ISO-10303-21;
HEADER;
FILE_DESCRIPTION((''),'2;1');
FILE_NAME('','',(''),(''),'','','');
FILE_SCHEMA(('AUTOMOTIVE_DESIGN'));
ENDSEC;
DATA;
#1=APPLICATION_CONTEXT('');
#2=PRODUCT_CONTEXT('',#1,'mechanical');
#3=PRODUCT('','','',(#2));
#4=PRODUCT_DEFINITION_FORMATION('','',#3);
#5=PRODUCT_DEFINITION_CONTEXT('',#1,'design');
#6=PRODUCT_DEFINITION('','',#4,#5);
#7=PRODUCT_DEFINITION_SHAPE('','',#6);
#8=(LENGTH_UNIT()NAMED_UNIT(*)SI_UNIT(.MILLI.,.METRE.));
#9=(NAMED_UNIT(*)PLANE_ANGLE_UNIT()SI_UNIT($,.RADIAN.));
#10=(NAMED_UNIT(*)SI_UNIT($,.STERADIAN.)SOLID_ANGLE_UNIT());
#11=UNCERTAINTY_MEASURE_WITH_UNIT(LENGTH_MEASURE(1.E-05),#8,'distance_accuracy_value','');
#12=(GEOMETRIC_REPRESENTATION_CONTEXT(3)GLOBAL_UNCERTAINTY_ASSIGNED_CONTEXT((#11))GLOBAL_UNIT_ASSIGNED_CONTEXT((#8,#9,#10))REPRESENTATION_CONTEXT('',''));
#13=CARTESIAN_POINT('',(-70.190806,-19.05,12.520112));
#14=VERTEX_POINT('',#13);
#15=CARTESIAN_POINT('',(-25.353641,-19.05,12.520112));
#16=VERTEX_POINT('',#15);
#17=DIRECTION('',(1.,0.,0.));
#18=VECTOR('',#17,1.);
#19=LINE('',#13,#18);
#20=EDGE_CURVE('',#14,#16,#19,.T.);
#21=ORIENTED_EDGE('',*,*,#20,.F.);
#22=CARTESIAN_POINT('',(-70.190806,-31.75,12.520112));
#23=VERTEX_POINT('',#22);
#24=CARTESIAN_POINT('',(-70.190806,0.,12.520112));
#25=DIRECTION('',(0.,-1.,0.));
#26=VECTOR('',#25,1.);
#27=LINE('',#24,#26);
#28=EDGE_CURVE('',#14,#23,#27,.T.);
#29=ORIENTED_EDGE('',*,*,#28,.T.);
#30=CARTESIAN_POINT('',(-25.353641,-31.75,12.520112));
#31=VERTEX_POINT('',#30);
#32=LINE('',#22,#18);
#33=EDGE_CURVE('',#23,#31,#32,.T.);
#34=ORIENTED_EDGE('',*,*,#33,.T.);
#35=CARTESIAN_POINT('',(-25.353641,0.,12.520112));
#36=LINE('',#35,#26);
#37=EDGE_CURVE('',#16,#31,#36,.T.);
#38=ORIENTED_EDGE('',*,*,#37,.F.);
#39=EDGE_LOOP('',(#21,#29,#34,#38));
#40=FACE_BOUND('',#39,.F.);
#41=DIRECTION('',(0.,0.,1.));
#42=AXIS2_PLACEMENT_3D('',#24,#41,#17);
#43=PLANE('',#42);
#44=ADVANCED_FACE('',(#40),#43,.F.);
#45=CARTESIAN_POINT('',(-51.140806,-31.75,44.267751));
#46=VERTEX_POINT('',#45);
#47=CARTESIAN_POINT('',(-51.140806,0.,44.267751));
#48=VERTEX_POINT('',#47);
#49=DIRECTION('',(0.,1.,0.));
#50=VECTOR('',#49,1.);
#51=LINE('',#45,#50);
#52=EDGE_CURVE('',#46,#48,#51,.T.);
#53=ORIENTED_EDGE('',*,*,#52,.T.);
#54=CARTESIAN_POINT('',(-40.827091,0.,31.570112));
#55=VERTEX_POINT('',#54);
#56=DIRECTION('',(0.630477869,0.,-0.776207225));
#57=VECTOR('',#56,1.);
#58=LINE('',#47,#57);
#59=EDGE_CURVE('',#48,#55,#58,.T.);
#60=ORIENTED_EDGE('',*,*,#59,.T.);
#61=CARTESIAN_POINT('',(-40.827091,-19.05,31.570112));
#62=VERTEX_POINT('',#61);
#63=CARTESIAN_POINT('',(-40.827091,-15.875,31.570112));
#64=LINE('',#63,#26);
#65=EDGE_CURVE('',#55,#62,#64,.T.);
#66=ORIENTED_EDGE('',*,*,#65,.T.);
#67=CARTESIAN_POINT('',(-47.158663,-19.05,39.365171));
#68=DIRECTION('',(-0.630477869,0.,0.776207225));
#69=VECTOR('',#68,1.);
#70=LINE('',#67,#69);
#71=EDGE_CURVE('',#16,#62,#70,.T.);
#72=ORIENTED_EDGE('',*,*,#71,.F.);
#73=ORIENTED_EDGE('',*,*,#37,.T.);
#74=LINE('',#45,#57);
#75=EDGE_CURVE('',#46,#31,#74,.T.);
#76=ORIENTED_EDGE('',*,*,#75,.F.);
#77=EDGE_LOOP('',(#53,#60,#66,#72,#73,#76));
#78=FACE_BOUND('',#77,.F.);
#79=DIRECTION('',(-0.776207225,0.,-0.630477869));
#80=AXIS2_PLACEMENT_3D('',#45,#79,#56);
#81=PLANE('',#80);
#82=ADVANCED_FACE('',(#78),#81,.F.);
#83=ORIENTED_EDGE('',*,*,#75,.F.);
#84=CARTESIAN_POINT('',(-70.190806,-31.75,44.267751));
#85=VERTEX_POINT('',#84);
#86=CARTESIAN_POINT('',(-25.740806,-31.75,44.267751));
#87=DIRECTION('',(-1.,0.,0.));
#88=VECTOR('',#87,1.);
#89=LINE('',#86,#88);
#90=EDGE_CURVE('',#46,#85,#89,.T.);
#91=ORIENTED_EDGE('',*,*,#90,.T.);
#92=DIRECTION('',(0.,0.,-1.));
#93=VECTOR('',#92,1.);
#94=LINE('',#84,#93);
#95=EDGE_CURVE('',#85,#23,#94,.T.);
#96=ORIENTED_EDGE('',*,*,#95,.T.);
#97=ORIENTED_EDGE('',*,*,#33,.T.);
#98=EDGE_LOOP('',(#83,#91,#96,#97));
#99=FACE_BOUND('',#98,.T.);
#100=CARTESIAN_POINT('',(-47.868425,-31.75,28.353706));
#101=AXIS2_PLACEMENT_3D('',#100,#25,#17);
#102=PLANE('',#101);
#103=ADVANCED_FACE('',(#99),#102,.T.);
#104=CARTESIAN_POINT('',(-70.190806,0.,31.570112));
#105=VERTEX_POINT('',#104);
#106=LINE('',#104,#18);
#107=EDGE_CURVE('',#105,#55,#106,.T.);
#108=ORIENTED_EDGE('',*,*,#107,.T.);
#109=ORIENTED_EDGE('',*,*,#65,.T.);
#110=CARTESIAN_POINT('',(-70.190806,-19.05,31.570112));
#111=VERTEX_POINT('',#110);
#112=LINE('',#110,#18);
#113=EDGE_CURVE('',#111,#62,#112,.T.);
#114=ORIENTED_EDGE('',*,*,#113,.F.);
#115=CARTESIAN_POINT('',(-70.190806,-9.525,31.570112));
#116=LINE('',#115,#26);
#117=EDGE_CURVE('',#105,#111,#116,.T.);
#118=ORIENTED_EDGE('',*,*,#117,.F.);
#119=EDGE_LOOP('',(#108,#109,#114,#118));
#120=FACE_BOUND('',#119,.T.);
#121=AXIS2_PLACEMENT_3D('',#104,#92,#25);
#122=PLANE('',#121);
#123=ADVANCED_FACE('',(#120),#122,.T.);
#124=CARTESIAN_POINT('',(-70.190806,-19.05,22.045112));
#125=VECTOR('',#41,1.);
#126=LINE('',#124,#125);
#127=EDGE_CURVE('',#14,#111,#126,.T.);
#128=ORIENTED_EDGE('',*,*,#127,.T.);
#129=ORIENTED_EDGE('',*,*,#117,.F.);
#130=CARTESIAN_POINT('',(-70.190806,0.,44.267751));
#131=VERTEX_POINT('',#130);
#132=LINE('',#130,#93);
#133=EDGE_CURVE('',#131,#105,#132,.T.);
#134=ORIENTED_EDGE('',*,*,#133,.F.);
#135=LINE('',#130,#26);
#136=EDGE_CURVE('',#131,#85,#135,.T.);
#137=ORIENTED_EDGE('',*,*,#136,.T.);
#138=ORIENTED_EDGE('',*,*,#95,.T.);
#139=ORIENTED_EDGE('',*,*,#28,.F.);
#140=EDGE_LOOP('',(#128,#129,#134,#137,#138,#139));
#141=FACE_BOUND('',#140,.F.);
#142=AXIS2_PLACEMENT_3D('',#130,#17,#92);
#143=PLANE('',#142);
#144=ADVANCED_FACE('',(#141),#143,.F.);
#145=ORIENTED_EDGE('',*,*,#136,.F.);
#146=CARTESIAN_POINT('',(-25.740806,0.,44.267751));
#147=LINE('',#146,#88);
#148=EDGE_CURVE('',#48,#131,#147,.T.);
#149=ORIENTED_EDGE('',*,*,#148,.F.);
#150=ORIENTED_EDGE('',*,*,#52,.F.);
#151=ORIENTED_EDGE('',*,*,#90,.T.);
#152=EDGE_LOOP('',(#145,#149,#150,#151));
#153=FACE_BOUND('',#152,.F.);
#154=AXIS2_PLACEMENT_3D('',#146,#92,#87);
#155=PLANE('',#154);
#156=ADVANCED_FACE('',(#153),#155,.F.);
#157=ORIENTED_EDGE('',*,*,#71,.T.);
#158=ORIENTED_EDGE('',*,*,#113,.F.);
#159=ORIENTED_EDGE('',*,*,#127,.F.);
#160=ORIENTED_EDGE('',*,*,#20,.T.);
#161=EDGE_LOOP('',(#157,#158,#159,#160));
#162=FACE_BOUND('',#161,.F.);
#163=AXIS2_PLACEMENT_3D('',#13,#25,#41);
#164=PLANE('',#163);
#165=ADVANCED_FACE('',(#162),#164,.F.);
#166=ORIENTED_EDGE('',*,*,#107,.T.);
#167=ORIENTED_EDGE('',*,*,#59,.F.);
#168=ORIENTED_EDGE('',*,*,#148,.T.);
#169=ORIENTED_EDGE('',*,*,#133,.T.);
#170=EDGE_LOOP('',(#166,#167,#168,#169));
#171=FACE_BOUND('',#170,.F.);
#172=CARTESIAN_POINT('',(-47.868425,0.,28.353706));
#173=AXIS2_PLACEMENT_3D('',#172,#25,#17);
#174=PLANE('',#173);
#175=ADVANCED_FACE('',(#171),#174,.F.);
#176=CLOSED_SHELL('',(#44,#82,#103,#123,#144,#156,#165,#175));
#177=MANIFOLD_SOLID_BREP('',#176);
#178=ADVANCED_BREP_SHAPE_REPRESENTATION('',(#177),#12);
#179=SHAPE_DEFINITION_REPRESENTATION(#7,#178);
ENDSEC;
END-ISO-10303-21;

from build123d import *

# Parameters (mm, degrees)
F1_DEPTH = 31.75
F3_DEPTH = 31.75
F4_W     = 19.05
F4_H     = 19.05
F5_DEPTH = 50.8


with BuildPart() as f1:
    # F0 (on Front) → F1 (new body)
    with BuildSketch(Plane.XZ):
        Polygon((-70.190806, 44.267751), (-70.190806, 12.520112), (-25.353641, 12.520112), (-25.740806, 44.267751), align=None)
    extrude(amount=F1_DEPTH)

    # F2 (on face) → F3 (cut)
    with BuildSketch(Plane.XZ.offset(31.75)):
        Polygon((-25.740806, 44.267751), (-51.140806, 44.267751), (-25.353641, 12.520112), align=None)
    extrude(amount=-F3_DEPTH, mode=Mode.SUBTRACT)

    # F4 (on face) → F5 (cut)
    with BuildSketch(Plane(origin=(-70.190806, 0, 0), x_dir=(0, -1, 0), z_dir=(-1, 0, 0))):
        with Locations((9.525, 22.045112)):
            Rectangle(F4_W, F4_H)
    extrude(amount=-F5_DEPTH, mode=Mode.SUBTRACT)


solid = f1.part
